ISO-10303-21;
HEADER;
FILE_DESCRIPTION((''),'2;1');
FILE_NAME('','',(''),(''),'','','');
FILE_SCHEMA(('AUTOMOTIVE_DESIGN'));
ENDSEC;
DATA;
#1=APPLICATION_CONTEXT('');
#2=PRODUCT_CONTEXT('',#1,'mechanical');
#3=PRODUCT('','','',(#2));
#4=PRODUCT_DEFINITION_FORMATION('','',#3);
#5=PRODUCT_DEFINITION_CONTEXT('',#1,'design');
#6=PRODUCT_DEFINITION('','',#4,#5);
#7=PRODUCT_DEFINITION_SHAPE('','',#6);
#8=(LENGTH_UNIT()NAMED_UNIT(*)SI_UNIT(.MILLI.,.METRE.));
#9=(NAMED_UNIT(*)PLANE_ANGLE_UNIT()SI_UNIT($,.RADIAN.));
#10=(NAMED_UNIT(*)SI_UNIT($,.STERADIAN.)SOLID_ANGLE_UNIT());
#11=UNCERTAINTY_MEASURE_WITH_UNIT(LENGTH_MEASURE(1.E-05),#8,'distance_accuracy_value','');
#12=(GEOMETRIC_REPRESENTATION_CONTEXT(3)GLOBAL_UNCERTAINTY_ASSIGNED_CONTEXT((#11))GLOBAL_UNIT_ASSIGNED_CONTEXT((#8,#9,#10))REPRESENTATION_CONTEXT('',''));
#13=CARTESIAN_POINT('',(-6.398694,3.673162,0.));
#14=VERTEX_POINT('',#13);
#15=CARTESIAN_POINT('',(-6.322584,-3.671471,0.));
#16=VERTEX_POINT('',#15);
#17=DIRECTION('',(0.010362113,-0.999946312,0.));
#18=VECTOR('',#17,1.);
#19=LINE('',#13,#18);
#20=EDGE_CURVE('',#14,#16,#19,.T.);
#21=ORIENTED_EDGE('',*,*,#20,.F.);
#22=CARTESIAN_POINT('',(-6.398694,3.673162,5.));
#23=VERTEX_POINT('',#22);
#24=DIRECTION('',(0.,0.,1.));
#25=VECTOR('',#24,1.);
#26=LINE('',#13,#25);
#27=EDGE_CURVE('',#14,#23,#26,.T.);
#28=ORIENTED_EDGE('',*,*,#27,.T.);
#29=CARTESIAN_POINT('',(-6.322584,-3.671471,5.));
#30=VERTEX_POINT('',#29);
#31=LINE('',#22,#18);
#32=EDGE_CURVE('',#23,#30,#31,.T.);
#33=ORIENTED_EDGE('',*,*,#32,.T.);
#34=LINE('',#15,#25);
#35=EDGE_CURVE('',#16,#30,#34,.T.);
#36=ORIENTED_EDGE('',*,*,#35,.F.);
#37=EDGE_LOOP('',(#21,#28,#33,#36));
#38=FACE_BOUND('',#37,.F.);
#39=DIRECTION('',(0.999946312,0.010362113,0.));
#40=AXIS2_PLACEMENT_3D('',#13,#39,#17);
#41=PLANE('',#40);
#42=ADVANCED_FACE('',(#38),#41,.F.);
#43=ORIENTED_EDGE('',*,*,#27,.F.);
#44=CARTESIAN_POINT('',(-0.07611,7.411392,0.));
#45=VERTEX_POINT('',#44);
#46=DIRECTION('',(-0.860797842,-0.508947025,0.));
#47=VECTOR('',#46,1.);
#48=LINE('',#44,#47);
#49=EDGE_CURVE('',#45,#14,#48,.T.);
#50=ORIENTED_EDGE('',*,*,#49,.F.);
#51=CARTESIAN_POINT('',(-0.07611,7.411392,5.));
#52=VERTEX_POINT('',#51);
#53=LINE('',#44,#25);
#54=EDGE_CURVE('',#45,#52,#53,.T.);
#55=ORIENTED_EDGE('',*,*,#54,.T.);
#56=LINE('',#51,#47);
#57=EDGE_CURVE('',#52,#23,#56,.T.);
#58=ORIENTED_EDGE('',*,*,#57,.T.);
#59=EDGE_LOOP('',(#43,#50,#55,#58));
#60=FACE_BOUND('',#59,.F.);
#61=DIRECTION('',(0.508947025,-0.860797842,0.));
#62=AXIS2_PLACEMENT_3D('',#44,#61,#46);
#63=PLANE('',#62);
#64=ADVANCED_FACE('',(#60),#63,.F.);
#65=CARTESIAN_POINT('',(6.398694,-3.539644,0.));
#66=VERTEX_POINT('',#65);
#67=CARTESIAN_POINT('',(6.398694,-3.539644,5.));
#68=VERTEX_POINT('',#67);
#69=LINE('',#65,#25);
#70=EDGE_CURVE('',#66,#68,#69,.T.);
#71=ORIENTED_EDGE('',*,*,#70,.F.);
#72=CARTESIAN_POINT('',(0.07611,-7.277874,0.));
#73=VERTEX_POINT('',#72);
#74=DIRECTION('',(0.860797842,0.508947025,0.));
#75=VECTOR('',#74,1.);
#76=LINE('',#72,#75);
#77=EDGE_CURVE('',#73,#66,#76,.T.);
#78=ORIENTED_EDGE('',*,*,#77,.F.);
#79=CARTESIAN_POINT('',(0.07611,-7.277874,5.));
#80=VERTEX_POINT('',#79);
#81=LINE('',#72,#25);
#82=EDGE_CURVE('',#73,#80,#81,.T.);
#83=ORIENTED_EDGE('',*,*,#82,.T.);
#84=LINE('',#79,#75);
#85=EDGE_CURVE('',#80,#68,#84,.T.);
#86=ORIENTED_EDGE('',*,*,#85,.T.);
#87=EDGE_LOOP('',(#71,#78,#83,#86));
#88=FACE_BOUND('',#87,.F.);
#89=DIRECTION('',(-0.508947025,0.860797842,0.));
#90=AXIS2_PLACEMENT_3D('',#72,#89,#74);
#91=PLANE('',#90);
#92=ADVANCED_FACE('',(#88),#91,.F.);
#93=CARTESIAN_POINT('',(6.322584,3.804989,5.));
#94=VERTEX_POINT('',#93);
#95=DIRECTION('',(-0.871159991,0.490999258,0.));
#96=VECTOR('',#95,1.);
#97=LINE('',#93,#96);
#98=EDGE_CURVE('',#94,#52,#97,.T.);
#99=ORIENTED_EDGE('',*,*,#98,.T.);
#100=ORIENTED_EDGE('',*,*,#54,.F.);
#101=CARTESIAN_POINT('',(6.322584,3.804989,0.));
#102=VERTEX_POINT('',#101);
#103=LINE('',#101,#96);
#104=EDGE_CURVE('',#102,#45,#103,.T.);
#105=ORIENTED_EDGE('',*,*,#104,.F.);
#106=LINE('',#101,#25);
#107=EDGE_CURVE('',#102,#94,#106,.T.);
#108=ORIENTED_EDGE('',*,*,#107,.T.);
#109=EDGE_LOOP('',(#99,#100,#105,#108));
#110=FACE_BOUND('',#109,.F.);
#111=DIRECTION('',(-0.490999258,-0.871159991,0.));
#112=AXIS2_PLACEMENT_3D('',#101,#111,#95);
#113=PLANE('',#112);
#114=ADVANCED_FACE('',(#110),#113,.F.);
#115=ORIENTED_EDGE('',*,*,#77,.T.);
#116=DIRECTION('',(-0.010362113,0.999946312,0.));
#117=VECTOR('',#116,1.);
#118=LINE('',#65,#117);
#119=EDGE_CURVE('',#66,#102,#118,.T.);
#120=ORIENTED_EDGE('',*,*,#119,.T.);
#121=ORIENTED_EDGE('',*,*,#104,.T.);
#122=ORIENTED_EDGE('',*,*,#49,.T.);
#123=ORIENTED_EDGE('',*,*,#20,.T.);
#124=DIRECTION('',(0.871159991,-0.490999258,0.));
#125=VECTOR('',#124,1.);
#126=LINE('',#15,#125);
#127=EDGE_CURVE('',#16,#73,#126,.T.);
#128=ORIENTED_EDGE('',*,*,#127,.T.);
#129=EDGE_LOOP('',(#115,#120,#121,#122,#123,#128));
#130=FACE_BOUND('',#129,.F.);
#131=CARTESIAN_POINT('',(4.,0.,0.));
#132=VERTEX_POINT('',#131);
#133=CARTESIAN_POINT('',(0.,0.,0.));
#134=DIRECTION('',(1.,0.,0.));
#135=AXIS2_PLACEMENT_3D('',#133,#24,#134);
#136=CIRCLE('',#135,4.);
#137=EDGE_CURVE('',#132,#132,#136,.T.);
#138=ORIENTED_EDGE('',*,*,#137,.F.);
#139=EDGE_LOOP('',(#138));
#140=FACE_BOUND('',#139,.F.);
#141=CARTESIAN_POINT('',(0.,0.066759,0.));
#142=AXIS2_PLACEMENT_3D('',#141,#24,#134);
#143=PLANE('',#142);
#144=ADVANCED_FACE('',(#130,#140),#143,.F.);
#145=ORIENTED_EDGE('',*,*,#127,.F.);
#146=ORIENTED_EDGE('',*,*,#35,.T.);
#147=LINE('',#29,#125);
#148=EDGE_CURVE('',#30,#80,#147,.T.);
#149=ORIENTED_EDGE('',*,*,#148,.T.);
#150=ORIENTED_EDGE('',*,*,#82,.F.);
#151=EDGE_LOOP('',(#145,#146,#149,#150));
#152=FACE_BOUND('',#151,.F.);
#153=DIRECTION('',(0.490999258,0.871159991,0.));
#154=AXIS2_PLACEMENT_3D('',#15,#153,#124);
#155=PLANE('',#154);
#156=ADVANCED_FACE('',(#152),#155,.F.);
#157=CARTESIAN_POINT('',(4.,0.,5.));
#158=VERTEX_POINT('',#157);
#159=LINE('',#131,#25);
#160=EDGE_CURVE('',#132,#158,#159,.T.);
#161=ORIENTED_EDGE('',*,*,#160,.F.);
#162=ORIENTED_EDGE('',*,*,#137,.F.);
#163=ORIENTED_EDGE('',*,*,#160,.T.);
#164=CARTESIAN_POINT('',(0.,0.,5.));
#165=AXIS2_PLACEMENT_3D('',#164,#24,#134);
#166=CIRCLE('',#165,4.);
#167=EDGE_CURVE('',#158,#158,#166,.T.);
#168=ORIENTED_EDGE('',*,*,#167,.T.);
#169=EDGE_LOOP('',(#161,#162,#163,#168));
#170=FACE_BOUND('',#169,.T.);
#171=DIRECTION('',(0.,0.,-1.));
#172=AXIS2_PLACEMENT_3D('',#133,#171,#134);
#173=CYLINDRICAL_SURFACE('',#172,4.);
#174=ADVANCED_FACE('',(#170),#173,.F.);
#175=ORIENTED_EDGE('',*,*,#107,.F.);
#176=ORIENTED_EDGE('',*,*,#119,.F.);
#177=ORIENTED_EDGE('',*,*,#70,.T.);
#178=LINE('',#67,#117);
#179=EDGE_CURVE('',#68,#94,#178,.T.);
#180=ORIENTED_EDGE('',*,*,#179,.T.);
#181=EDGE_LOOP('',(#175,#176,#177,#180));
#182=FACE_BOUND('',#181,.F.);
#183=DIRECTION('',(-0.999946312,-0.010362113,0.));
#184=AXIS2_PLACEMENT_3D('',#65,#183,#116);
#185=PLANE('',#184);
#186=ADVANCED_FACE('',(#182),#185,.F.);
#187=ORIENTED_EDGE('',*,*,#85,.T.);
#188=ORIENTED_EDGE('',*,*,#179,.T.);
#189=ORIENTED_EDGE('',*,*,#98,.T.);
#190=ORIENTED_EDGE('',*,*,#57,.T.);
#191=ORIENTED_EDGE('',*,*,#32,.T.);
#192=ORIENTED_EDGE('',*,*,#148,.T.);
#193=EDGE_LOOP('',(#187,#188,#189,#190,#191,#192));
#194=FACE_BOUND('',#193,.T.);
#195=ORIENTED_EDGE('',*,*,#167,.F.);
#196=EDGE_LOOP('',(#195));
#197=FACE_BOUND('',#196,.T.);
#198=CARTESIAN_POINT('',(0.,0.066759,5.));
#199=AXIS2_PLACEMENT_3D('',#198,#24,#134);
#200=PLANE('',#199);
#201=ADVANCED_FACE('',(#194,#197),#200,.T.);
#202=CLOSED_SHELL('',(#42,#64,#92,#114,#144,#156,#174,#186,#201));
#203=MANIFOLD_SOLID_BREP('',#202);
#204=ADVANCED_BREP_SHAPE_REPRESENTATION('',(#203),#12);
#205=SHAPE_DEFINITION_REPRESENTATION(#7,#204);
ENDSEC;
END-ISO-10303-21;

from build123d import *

# Parameters (mm, degrees)
SKETCH_R  = 4
PAD_DEPTH = 5


with BuildPart() as part:
    # Sketch → Pad (new body)
    with BuildSketch(Plane.XY):
        Polygon((0.07611, -7.277874), (6.398694, -3.539644), (6.322584, 3.804989), (-0.07611, 7.411392), (-6.398694, 3.673162), (-6.322584, -3.671471), align=None)
        Circle(SKETCH_R, mode=Mode.SUBTRACT)
    extrude(amount=PAD_DEPTH)


solid = part.part
